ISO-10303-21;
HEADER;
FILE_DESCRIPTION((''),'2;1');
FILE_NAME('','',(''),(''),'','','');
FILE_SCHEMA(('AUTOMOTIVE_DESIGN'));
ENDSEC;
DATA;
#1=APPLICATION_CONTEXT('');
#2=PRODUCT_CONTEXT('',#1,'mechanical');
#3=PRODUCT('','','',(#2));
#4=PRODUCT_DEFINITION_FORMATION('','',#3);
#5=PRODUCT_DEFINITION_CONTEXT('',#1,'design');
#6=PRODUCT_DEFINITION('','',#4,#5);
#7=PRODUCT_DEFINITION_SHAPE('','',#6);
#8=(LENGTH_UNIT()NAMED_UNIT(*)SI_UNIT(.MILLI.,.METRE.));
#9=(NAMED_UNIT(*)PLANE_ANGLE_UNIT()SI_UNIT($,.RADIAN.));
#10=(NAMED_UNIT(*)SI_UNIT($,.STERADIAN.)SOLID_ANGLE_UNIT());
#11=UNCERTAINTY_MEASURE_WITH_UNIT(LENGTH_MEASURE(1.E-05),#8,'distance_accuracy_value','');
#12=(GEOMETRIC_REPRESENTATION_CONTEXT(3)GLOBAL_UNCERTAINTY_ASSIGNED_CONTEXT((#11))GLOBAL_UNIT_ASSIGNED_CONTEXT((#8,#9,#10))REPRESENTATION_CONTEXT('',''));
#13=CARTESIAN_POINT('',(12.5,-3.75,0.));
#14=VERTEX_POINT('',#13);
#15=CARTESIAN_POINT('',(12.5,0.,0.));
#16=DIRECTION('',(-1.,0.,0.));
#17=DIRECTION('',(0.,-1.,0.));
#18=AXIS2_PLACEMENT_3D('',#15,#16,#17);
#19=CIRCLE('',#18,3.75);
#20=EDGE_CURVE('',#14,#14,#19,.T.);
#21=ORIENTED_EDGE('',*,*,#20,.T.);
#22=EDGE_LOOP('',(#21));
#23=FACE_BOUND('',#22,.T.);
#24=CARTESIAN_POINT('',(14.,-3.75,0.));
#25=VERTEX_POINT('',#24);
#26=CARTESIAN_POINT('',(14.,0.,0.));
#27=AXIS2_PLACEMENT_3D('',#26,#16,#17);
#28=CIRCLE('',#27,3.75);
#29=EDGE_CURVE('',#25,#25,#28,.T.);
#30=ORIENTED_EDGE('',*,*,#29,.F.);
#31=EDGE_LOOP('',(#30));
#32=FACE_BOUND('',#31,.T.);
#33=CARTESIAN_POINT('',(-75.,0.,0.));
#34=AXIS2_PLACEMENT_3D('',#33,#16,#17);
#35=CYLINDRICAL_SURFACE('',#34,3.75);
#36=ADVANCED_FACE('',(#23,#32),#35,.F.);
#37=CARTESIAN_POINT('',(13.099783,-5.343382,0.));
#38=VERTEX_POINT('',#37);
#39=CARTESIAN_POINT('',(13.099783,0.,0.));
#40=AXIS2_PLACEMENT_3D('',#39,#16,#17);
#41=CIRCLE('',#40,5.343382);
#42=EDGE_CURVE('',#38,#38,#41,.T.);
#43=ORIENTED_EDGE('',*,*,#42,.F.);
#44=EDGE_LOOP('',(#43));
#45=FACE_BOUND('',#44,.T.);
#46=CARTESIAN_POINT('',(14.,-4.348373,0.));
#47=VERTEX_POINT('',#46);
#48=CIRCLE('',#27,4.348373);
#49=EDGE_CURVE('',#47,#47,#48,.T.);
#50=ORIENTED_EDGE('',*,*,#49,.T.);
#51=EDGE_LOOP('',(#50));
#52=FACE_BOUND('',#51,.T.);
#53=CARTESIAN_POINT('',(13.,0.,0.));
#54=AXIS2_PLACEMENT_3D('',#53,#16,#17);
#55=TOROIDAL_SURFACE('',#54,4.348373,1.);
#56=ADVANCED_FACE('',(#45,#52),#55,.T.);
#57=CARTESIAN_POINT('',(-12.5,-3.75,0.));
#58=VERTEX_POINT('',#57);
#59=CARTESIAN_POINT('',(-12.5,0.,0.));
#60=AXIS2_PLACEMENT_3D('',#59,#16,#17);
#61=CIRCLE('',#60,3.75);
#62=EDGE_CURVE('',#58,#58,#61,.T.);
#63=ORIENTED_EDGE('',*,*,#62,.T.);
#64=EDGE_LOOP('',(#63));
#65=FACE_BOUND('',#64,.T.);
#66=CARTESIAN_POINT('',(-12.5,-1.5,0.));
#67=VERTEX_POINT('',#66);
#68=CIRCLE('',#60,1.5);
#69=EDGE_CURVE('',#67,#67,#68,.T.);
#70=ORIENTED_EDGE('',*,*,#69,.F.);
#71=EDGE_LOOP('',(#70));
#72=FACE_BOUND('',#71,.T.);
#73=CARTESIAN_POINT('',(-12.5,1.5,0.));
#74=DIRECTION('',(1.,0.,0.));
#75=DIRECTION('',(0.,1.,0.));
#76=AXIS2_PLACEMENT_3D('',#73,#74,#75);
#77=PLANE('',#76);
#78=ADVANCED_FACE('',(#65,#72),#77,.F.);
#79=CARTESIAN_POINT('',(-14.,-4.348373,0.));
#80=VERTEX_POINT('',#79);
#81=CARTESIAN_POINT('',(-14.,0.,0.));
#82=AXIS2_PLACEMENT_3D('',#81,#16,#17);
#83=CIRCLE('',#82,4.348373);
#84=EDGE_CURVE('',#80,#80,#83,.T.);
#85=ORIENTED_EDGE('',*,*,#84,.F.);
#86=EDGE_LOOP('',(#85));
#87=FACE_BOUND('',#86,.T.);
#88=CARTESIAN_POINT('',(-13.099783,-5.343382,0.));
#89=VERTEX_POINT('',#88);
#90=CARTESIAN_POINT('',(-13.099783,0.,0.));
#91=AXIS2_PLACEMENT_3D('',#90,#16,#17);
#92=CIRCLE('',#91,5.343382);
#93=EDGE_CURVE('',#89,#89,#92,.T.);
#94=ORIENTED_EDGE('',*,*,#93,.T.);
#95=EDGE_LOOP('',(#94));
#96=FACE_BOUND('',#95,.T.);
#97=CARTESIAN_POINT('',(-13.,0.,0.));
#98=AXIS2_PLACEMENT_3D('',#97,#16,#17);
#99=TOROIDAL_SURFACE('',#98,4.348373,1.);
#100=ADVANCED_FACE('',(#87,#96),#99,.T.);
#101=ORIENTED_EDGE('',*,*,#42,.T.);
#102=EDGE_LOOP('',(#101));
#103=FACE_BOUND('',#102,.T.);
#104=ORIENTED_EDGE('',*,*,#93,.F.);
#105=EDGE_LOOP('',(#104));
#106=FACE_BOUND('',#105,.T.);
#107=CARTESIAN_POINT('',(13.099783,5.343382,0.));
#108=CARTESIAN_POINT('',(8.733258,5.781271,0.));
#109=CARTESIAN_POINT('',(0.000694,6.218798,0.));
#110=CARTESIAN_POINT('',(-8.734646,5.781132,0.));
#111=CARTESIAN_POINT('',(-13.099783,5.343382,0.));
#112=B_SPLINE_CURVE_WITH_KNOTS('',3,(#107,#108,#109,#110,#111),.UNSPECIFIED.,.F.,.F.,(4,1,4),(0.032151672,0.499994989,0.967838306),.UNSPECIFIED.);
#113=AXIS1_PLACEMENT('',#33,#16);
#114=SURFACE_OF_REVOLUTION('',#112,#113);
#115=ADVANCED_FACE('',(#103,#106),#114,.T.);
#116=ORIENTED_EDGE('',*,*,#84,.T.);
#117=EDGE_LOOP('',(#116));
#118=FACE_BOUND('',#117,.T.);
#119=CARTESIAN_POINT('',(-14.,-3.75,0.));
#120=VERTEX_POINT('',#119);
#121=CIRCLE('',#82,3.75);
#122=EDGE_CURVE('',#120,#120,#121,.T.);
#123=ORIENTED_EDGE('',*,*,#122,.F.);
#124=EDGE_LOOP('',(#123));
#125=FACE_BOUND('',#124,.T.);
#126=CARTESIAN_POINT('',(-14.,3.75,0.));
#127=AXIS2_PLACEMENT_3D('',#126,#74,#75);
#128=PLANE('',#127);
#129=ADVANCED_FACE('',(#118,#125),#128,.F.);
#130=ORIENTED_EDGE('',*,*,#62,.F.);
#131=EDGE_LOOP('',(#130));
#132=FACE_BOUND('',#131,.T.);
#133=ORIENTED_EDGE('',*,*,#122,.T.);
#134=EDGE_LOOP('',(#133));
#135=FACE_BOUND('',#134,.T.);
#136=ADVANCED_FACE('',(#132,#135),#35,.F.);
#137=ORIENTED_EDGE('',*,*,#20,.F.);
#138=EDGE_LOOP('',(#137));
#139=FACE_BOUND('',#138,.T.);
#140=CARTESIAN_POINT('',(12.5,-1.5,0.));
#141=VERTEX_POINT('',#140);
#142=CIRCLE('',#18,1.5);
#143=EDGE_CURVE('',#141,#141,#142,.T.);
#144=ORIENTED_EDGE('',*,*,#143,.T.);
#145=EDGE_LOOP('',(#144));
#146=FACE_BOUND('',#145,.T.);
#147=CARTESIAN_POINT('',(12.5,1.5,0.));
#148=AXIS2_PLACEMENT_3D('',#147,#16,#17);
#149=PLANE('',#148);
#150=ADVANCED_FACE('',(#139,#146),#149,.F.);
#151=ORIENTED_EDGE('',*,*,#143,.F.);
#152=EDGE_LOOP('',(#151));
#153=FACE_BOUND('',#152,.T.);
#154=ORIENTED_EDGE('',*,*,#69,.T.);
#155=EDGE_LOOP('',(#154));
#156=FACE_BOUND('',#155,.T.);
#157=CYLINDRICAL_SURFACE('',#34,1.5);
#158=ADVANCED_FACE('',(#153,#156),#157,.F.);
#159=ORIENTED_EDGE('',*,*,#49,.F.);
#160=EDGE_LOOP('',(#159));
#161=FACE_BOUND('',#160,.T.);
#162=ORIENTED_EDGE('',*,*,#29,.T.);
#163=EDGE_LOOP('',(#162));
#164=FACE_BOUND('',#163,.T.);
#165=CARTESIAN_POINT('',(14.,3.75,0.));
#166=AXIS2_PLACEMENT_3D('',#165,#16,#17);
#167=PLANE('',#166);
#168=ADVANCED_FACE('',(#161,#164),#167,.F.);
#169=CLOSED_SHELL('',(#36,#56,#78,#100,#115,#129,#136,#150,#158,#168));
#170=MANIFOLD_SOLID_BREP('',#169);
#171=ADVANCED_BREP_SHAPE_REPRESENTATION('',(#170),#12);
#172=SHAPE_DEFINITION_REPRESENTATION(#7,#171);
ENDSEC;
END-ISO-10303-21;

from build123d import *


with BuildPart() as part:
    # Sketch1 → Revolve1 (revolve)
    with BuildSketch(Plane.XY):
        with BuildLine():
            Line((-12.5, 1.5), (12.5, 1.5))
            Line((12.5, 1.5), (12.5, 3.75))
            Line((12.5, 3.75), (14, 3.75))
            Line((14, 3.75), (14, 4.348372713))
            ThreePointArc((14, 4.348372713), (13.741546609, 5.019274067), (13.099782746, 5.343381961))
            add(Edge.make_bspline(
                [(13.099782746, 5.343381961), (8.733258139, 5.781271175), (0.000693828, 6.218798404), (-8.734645795, 5.781132016), (-13.099782746, 5.343381961)],
                knots=[0.032151672, 0.032151672, 0.032151672, 0.032151672, 0.499994989, 0.967838306, 0.967838306, 0.967838306, 0.967838306], degree=3))
            ThreePointArc((-13.099782746, 5.343381961), (-13.741546609, 5.019274067), (-14, 4.348372713))
            Line((-14, 4.348372713), (-14, 3.75))
            Line((-14, 3.75), (-12.5, 3.75))
            Line((-12.5, 3.75), (-12.5, 1.5))
        make_face()
    revolve(axis=Axis((-75, 0, 0), (1, 0, 0)))


solid = part.part
